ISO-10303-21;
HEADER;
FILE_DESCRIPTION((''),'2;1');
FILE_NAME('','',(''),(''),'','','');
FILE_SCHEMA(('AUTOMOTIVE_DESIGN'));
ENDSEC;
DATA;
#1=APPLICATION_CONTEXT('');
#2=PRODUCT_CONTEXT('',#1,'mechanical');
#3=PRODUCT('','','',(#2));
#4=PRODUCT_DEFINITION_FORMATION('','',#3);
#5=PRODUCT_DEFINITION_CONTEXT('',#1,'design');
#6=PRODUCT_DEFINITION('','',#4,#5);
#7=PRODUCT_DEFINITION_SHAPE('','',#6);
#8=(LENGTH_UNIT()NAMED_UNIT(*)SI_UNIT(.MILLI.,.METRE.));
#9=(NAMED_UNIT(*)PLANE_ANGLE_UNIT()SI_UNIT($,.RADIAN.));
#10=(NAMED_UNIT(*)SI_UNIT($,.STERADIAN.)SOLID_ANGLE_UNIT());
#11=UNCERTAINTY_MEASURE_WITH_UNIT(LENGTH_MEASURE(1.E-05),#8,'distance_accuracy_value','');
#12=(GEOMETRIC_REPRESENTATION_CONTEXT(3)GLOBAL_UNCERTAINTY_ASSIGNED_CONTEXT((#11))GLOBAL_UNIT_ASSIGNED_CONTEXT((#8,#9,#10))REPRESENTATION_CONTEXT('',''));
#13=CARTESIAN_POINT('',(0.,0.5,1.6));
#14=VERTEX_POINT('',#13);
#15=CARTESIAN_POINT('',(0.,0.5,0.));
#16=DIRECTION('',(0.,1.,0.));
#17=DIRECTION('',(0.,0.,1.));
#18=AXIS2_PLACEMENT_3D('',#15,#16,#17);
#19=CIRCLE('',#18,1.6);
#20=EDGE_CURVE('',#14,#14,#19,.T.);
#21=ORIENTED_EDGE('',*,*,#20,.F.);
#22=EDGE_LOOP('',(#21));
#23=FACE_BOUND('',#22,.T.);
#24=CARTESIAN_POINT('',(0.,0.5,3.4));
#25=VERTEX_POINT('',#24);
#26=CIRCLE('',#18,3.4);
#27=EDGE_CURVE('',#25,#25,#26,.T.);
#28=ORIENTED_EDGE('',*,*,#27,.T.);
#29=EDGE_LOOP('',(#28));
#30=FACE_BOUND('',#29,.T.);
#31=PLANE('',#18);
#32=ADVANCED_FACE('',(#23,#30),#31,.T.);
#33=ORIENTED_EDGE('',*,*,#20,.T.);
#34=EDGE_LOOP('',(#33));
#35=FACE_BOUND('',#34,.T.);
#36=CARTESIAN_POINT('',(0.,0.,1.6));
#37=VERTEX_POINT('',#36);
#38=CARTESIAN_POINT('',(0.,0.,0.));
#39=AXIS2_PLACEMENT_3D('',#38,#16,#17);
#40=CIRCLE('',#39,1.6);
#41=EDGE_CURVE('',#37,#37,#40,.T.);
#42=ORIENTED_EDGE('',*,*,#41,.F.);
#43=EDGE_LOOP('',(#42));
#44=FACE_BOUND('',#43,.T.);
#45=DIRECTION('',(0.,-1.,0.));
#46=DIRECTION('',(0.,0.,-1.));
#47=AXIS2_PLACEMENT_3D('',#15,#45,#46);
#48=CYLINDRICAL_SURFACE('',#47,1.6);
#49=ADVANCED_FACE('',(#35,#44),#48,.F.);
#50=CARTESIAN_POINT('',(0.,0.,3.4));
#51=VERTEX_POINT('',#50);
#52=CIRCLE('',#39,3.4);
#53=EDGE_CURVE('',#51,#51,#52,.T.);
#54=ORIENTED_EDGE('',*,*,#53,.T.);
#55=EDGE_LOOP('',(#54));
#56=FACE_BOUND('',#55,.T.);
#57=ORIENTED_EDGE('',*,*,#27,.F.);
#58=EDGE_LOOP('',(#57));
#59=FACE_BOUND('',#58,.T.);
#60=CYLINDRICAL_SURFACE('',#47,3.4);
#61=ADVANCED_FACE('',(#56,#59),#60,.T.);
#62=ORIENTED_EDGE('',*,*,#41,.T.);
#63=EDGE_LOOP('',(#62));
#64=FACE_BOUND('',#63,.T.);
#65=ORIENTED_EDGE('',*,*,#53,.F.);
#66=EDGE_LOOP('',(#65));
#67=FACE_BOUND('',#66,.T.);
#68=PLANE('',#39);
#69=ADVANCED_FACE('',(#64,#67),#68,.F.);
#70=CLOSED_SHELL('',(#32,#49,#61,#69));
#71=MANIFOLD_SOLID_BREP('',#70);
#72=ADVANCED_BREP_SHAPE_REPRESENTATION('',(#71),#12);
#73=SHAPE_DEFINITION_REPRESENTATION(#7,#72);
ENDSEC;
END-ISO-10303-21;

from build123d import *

# Parameters (mm, degrees)
SKETCH1_R      = 3.4
SKETCH1_R_2    = 1.6
EXTRUDE1_DEPTH = 0.5


with BuildPart() as part:
    # Sketch1 → Extrude1 (new body)
    with BuildSketch(Plane(origin=(0, 0, 0), x_dir=(1, 0, 0), z_dir=(0, 1, 0))):
        with Locations(Location((0, 0, 0), (0, 0, 270))):  # turned: the seam where the file's is
            Circle(SKETCH1_R)
        with Locations(Location((0, 0, 0), (0, 0, 270))):  # turned: the seam where the file's is
            Circle(SKETCH1_R_2, mode=Mode.SUBTRACT)
    extrude(amount=EXTRUDE1_DEPTH)


solid = part.part
